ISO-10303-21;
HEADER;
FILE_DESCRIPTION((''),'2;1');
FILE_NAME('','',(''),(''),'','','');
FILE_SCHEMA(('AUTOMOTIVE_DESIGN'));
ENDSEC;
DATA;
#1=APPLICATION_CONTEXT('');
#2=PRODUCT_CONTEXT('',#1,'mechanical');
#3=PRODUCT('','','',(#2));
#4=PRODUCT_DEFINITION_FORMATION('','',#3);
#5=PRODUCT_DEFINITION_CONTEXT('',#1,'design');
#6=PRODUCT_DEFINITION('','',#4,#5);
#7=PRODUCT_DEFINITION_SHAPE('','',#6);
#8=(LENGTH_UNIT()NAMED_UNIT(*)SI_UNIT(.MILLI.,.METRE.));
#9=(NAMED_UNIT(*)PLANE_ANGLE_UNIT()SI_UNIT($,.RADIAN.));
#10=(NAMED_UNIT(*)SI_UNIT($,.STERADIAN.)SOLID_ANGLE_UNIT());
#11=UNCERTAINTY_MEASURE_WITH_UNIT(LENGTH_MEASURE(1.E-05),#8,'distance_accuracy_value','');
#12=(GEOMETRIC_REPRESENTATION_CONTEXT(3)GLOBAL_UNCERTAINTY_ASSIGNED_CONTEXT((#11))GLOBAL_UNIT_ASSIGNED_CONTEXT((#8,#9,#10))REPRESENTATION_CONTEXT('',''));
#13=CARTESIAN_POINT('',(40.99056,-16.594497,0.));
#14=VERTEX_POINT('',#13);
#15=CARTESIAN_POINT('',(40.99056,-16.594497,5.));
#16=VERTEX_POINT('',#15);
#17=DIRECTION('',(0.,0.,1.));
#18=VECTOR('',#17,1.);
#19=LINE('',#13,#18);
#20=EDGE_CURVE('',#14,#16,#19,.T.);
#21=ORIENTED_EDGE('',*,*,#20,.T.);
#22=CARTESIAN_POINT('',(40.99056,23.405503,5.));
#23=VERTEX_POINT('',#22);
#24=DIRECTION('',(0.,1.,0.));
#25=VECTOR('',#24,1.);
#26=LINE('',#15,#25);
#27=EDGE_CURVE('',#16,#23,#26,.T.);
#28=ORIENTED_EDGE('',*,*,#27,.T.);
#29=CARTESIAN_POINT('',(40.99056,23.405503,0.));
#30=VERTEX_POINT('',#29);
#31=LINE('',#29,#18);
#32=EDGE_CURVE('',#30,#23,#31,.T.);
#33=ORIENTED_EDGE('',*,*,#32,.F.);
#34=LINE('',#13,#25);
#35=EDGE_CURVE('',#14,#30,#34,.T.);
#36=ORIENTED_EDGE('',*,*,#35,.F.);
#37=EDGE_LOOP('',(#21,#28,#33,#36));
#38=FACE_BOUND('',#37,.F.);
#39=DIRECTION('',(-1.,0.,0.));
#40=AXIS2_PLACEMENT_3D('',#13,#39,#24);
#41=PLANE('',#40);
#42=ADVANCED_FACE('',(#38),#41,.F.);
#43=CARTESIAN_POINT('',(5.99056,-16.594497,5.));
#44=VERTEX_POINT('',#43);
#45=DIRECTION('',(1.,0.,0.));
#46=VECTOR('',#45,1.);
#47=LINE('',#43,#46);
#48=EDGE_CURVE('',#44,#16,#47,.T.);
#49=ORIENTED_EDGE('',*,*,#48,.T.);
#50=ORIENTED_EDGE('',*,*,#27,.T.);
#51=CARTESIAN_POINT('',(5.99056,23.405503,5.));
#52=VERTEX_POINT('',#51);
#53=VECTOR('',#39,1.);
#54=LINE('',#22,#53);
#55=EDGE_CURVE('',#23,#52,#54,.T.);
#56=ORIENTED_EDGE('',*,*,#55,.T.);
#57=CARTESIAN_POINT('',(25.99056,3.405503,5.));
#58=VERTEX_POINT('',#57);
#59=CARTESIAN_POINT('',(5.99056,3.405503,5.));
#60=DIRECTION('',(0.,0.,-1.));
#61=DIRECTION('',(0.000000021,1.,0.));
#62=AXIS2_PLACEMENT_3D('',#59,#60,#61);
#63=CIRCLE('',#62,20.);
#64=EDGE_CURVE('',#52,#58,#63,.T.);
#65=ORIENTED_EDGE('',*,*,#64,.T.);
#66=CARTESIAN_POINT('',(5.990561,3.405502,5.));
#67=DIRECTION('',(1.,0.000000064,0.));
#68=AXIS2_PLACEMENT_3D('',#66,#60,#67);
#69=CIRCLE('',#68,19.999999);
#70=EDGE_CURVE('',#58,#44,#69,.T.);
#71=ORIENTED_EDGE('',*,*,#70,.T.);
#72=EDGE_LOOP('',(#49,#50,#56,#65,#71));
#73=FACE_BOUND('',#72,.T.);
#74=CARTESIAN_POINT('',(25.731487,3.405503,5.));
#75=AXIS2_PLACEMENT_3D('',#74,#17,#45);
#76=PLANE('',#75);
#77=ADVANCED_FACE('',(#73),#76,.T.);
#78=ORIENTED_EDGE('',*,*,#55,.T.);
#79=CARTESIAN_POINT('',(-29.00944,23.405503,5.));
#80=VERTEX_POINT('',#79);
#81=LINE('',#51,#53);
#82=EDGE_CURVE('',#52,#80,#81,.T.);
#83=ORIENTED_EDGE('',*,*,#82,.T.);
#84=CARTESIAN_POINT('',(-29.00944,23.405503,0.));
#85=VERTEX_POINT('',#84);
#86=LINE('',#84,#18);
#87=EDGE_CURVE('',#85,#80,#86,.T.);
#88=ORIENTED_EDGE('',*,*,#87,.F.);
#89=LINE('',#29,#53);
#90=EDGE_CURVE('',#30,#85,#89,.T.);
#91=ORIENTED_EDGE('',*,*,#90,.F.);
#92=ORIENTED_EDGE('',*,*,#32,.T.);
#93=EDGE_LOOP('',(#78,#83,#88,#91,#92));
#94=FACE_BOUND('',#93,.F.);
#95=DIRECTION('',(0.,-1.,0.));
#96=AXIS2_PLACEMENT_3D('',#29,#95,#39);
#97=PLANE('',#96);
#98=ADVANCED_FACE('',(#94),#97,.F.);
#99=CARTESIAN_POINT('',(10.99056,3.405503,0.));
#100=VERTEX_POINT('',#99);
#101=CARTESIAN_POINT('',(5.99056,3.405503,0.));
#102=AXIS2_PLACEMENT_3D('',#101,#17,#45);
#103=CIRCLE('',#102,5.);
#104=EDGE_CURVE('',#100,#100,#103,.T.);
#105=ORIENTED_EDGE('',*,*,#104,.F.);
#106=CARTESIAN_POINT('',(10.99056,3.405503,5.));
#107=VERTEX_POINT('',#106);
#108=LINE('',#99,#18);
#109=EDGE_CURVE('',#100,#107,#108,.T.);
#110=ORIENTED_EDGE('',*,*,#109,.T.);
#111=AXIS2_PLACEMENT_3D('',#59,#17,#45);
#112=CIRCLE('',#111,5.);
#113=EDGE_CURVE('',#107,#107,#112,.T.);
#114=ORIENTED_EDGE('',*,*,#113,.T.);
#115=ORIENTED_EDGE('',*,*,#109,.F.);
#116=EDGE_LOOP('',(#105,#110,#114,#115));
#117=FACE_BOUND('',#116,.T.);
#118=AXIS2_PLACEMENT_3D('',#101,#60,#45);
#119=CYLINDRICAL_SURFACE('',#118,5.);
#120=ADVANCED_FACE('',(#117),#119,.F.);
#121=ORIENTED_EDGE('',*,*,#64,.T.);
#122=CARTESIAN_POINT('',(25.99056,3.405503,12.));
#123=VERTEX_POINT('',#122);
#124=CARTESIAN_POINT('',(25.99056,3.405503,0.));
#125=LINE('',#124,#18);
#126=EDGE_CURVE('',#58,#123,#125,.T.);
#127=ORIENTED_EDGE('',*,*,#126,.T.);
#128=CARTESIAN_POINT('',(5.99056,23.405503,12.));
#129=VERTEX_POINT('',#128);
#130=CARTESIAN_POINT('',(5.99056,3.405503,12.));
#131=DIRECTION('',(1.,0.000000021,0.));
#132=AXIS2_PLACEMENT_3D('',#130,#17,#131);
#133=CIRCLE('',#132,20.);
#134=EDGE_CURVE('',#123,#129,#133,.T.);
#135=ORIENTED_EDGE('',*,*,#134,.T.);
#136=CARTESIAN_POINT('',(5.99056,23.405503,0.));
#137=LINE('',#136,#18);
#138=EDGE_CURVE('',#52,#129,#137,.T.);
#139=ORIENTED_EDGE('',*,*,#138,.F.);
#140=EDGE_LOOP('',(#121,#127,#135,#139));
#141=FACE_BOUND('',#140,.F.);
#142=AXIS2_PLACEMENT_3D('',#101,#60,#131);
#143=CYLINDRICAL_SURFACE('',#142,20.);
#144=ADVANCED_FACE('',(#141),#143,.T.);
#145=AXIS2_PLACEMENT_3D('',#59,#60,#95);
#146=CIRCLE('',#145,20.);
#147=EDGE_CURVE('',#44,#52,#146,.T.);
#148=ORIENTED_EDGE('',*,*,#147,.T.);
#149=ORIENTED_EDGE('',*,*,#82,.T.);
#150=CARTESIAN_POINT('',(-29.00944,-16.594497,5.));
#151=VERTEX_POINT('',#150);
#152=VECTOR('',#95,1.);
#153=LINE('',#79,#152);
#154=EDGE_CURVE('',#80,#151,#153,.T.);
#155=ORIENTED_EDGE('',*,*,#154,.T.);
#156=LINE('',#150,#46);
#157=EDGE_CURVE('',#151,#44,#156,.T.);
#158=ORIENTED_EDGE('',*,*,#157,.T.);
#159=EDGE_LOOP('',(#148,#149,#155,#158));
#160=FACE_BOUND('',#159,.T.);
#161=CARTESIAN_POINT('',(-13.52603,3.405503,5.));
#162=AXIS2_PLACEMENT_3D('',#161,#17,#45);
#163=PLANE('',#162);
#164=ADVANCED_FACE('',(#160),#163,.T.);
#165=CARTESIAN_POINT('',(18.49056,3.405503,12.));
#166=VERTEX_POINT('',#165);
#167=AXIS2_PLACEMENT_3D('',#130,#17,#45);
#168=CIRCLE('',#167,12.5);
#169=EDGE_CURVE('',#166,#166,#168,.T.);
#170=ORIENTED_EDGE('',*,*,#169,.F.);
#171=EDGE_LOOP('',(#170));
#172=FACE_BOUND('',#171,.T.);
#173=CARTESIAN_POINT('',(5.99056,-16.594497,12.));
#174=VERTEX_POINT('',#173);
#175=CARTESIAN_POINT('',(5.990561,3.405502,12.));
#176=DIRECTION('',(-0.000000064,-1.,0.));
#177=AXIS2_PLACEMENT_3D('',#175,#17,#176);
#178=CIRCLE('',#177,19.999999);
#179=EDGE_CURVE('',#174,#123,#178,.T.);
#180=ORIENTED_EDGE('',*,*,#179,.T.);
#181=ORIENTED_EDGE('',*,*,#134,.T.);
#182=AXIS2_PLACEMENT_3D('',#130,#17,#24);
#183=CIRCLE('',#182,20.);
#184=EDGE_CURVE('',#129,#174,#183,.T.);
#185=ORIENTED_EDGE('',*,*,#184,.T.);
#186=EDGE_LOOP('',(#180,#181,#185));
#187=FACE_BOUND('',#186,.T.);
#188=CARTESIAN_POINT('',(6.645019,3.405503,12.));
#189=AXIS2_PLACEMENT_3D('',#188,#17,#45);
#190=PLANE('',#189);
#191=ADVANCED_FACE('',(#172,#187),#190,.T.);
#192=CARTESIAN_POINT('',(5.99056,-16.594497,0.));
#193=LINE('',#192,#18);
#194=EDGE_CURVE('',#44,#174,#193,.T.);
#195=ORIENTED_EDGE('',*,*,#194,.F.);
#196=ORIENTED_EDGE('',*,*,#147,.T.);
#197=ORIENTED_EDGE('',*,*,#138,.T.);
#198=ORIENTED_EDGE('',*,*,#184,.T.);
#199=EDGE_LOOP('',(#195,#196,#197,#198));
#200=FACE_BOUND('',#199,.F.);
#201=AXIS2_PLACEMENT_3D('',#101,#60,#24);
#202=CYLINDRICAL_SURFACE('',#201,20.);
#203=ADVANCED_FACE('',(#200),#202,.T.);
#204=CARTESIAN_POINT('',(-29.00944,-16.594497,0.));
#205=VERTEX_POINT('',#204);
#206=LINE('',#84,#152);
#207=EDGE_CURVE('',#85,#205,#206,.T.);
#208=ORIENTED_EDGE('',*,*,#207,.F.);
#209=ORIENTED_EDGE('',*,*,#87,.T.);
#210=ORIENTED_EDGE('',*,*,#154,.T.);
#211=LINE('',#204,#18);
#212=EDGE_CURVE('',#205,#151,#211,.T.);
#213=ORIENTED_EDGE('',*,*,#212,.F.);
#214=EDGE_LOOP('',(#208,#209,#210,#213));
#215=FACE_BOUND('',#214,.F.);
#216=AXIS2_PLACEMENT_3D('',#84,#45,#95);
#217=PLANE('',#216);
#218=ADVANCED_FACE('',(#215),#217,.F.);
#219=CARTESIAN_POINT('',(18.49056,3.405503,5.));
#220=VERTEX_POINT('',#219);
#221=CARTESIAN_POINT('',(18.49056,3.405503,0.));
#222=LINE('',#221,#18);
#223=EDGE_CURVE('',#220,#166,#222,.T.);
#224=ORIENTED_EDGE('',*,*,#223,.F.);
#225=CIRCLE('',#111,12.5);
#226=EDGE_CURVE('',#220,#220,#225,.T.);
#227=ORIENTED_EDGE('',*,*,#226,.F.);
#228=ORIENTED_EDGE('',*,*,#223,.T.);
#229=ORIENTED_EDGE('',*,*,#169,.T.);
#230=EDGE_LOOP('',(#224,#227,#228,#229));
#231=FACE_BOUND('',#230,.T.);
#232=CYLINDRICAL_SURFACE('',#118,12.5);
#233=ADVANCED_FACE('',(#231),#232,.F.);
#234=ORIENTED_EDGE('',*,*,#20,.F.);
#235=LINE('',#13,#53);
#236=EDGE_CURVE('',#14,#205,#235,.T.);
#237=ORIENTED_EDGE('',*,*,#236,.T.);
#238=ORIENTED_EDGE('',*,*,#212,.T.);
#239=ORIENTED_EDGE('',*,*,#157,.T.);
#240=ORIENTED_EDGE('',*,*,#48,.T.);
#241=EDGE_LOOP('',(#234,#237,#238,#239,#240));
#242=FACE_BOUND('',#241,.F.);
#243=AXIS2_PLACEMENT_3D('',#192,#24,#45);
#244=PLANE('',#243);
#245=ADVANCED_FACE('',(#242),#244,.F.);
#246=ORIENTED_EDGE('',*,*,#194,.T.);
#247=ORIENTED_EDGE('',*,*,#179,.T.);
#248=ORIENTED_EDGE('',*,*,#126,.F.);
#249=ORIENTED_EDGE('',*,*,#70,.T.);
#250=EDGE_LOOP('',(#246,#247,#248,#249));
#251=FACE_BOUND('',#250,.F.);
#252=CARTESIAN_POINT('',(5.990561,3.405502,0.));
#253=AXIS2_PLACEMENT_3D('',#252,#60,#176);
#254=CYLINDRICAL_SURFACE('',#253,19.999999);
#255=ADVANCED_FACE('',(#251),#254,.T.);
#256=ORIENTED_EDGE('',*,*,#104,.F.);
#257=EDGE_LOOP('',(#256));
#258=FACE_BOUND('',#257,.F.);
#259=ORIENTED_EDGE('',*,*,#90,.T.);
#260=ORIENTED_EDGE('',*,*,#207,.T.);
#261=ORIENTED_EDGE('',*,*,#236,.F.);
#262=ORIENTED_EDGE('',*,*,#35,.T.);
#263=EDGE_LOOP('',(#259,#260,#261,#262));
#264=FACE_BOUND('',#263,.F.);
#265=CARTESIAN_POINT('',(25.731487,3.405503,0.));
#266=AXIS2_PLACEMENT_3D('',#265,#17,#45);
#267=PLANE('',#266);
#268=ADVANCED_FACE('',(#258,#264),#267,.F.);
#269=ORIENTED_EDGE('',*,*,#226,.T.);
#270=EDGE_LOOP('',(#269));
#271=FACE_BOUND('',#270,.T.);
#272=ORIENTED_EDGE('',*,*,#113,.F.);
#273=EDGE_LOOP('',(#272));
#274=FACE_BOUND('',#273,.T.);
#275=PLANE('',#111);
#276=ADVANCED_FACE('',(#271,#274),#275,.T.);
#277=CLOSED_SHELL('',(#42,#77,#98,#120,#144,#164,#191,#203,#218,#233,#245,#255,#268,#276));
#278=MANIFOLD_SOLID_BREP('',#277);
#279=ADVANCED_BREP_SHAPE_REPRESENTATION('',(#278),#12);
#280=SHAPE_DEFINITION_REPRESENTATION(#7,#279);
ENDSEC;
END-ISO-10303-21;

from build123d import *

# Parameters (mm, degrees)
F0_R     = 12.5
F0_R_2   = 5
F1_DEPTH = 5
F2_DEPTH = 12
F3_DEPTH = 5


with BuildPart() as f1:
    # F0 (on Top) → F1 (new body)
    with BuildSketch(Plane.XY):
        with Locations((5.99056, 3.405503)):
            Circle(F0_R)
        with Locations((5.99056, 3.405503)):
            Circle(F0_R_2, mode=Mode.SUBTRACT)
    extrude(amount=F1_DEPTH)

    # F0 (on Top) → F2 (join)
    with BuildSketch(Plane.XY):
        with BuildLine():
            ThreePointArc((25.99056, 3.405503), (20.132696, 17.547638), (5.99056, 23.405503))
            ThreePointArc((5.99056, 23.405503), (-14.00944, 3.405503), (5.99056, -16.594497))
            ThreePointArc((5.99056, -16.594497), (20.132696, -10.736633), (25.99056, 3.405503))
        make_face()
        with Locations((5.99056, 3.405503)):
            Circle(F0_R, mode=Mode.SUBTRACT)
    extrude(amount=F2_DEPTH)

    # F0 (on Top) → F3 (join)
    with BuildSketch(Plane.XY):
        with BuildLine():
            Line((40.99056, 23.405503), (5.99056, 23.405503))
            ThreePointArc((5.99056, 23.405503), (20.132696, 17.547638), (25.99056, 3.405503))
            ThreePointArc((25.99056, 3.405503), (20.132696, -10.736633), (5.99056, -16.594497))
            Line((5.99056, -16.594497), (40.99056, -16.594497))
            Line((40.99056, -16.594497), (40.99056, 23.405503))
        make_face()
        with BuildLine():
            Line((5.99056, 23.405503), (-29.00944, 23.405503))
            Line((-29.00944, 23.405503), (-29.00944, -16.594497))
            Line((-29.00944, -16.594497), (5.99056, -16.594497))
            ThreePointArc((5.99056, -16.594497), (-14.00944, 3.405503), (5.99056, 23.405503))
        make_face()
    extrude(amount=F3_DEPTH)


solid = f1.part
